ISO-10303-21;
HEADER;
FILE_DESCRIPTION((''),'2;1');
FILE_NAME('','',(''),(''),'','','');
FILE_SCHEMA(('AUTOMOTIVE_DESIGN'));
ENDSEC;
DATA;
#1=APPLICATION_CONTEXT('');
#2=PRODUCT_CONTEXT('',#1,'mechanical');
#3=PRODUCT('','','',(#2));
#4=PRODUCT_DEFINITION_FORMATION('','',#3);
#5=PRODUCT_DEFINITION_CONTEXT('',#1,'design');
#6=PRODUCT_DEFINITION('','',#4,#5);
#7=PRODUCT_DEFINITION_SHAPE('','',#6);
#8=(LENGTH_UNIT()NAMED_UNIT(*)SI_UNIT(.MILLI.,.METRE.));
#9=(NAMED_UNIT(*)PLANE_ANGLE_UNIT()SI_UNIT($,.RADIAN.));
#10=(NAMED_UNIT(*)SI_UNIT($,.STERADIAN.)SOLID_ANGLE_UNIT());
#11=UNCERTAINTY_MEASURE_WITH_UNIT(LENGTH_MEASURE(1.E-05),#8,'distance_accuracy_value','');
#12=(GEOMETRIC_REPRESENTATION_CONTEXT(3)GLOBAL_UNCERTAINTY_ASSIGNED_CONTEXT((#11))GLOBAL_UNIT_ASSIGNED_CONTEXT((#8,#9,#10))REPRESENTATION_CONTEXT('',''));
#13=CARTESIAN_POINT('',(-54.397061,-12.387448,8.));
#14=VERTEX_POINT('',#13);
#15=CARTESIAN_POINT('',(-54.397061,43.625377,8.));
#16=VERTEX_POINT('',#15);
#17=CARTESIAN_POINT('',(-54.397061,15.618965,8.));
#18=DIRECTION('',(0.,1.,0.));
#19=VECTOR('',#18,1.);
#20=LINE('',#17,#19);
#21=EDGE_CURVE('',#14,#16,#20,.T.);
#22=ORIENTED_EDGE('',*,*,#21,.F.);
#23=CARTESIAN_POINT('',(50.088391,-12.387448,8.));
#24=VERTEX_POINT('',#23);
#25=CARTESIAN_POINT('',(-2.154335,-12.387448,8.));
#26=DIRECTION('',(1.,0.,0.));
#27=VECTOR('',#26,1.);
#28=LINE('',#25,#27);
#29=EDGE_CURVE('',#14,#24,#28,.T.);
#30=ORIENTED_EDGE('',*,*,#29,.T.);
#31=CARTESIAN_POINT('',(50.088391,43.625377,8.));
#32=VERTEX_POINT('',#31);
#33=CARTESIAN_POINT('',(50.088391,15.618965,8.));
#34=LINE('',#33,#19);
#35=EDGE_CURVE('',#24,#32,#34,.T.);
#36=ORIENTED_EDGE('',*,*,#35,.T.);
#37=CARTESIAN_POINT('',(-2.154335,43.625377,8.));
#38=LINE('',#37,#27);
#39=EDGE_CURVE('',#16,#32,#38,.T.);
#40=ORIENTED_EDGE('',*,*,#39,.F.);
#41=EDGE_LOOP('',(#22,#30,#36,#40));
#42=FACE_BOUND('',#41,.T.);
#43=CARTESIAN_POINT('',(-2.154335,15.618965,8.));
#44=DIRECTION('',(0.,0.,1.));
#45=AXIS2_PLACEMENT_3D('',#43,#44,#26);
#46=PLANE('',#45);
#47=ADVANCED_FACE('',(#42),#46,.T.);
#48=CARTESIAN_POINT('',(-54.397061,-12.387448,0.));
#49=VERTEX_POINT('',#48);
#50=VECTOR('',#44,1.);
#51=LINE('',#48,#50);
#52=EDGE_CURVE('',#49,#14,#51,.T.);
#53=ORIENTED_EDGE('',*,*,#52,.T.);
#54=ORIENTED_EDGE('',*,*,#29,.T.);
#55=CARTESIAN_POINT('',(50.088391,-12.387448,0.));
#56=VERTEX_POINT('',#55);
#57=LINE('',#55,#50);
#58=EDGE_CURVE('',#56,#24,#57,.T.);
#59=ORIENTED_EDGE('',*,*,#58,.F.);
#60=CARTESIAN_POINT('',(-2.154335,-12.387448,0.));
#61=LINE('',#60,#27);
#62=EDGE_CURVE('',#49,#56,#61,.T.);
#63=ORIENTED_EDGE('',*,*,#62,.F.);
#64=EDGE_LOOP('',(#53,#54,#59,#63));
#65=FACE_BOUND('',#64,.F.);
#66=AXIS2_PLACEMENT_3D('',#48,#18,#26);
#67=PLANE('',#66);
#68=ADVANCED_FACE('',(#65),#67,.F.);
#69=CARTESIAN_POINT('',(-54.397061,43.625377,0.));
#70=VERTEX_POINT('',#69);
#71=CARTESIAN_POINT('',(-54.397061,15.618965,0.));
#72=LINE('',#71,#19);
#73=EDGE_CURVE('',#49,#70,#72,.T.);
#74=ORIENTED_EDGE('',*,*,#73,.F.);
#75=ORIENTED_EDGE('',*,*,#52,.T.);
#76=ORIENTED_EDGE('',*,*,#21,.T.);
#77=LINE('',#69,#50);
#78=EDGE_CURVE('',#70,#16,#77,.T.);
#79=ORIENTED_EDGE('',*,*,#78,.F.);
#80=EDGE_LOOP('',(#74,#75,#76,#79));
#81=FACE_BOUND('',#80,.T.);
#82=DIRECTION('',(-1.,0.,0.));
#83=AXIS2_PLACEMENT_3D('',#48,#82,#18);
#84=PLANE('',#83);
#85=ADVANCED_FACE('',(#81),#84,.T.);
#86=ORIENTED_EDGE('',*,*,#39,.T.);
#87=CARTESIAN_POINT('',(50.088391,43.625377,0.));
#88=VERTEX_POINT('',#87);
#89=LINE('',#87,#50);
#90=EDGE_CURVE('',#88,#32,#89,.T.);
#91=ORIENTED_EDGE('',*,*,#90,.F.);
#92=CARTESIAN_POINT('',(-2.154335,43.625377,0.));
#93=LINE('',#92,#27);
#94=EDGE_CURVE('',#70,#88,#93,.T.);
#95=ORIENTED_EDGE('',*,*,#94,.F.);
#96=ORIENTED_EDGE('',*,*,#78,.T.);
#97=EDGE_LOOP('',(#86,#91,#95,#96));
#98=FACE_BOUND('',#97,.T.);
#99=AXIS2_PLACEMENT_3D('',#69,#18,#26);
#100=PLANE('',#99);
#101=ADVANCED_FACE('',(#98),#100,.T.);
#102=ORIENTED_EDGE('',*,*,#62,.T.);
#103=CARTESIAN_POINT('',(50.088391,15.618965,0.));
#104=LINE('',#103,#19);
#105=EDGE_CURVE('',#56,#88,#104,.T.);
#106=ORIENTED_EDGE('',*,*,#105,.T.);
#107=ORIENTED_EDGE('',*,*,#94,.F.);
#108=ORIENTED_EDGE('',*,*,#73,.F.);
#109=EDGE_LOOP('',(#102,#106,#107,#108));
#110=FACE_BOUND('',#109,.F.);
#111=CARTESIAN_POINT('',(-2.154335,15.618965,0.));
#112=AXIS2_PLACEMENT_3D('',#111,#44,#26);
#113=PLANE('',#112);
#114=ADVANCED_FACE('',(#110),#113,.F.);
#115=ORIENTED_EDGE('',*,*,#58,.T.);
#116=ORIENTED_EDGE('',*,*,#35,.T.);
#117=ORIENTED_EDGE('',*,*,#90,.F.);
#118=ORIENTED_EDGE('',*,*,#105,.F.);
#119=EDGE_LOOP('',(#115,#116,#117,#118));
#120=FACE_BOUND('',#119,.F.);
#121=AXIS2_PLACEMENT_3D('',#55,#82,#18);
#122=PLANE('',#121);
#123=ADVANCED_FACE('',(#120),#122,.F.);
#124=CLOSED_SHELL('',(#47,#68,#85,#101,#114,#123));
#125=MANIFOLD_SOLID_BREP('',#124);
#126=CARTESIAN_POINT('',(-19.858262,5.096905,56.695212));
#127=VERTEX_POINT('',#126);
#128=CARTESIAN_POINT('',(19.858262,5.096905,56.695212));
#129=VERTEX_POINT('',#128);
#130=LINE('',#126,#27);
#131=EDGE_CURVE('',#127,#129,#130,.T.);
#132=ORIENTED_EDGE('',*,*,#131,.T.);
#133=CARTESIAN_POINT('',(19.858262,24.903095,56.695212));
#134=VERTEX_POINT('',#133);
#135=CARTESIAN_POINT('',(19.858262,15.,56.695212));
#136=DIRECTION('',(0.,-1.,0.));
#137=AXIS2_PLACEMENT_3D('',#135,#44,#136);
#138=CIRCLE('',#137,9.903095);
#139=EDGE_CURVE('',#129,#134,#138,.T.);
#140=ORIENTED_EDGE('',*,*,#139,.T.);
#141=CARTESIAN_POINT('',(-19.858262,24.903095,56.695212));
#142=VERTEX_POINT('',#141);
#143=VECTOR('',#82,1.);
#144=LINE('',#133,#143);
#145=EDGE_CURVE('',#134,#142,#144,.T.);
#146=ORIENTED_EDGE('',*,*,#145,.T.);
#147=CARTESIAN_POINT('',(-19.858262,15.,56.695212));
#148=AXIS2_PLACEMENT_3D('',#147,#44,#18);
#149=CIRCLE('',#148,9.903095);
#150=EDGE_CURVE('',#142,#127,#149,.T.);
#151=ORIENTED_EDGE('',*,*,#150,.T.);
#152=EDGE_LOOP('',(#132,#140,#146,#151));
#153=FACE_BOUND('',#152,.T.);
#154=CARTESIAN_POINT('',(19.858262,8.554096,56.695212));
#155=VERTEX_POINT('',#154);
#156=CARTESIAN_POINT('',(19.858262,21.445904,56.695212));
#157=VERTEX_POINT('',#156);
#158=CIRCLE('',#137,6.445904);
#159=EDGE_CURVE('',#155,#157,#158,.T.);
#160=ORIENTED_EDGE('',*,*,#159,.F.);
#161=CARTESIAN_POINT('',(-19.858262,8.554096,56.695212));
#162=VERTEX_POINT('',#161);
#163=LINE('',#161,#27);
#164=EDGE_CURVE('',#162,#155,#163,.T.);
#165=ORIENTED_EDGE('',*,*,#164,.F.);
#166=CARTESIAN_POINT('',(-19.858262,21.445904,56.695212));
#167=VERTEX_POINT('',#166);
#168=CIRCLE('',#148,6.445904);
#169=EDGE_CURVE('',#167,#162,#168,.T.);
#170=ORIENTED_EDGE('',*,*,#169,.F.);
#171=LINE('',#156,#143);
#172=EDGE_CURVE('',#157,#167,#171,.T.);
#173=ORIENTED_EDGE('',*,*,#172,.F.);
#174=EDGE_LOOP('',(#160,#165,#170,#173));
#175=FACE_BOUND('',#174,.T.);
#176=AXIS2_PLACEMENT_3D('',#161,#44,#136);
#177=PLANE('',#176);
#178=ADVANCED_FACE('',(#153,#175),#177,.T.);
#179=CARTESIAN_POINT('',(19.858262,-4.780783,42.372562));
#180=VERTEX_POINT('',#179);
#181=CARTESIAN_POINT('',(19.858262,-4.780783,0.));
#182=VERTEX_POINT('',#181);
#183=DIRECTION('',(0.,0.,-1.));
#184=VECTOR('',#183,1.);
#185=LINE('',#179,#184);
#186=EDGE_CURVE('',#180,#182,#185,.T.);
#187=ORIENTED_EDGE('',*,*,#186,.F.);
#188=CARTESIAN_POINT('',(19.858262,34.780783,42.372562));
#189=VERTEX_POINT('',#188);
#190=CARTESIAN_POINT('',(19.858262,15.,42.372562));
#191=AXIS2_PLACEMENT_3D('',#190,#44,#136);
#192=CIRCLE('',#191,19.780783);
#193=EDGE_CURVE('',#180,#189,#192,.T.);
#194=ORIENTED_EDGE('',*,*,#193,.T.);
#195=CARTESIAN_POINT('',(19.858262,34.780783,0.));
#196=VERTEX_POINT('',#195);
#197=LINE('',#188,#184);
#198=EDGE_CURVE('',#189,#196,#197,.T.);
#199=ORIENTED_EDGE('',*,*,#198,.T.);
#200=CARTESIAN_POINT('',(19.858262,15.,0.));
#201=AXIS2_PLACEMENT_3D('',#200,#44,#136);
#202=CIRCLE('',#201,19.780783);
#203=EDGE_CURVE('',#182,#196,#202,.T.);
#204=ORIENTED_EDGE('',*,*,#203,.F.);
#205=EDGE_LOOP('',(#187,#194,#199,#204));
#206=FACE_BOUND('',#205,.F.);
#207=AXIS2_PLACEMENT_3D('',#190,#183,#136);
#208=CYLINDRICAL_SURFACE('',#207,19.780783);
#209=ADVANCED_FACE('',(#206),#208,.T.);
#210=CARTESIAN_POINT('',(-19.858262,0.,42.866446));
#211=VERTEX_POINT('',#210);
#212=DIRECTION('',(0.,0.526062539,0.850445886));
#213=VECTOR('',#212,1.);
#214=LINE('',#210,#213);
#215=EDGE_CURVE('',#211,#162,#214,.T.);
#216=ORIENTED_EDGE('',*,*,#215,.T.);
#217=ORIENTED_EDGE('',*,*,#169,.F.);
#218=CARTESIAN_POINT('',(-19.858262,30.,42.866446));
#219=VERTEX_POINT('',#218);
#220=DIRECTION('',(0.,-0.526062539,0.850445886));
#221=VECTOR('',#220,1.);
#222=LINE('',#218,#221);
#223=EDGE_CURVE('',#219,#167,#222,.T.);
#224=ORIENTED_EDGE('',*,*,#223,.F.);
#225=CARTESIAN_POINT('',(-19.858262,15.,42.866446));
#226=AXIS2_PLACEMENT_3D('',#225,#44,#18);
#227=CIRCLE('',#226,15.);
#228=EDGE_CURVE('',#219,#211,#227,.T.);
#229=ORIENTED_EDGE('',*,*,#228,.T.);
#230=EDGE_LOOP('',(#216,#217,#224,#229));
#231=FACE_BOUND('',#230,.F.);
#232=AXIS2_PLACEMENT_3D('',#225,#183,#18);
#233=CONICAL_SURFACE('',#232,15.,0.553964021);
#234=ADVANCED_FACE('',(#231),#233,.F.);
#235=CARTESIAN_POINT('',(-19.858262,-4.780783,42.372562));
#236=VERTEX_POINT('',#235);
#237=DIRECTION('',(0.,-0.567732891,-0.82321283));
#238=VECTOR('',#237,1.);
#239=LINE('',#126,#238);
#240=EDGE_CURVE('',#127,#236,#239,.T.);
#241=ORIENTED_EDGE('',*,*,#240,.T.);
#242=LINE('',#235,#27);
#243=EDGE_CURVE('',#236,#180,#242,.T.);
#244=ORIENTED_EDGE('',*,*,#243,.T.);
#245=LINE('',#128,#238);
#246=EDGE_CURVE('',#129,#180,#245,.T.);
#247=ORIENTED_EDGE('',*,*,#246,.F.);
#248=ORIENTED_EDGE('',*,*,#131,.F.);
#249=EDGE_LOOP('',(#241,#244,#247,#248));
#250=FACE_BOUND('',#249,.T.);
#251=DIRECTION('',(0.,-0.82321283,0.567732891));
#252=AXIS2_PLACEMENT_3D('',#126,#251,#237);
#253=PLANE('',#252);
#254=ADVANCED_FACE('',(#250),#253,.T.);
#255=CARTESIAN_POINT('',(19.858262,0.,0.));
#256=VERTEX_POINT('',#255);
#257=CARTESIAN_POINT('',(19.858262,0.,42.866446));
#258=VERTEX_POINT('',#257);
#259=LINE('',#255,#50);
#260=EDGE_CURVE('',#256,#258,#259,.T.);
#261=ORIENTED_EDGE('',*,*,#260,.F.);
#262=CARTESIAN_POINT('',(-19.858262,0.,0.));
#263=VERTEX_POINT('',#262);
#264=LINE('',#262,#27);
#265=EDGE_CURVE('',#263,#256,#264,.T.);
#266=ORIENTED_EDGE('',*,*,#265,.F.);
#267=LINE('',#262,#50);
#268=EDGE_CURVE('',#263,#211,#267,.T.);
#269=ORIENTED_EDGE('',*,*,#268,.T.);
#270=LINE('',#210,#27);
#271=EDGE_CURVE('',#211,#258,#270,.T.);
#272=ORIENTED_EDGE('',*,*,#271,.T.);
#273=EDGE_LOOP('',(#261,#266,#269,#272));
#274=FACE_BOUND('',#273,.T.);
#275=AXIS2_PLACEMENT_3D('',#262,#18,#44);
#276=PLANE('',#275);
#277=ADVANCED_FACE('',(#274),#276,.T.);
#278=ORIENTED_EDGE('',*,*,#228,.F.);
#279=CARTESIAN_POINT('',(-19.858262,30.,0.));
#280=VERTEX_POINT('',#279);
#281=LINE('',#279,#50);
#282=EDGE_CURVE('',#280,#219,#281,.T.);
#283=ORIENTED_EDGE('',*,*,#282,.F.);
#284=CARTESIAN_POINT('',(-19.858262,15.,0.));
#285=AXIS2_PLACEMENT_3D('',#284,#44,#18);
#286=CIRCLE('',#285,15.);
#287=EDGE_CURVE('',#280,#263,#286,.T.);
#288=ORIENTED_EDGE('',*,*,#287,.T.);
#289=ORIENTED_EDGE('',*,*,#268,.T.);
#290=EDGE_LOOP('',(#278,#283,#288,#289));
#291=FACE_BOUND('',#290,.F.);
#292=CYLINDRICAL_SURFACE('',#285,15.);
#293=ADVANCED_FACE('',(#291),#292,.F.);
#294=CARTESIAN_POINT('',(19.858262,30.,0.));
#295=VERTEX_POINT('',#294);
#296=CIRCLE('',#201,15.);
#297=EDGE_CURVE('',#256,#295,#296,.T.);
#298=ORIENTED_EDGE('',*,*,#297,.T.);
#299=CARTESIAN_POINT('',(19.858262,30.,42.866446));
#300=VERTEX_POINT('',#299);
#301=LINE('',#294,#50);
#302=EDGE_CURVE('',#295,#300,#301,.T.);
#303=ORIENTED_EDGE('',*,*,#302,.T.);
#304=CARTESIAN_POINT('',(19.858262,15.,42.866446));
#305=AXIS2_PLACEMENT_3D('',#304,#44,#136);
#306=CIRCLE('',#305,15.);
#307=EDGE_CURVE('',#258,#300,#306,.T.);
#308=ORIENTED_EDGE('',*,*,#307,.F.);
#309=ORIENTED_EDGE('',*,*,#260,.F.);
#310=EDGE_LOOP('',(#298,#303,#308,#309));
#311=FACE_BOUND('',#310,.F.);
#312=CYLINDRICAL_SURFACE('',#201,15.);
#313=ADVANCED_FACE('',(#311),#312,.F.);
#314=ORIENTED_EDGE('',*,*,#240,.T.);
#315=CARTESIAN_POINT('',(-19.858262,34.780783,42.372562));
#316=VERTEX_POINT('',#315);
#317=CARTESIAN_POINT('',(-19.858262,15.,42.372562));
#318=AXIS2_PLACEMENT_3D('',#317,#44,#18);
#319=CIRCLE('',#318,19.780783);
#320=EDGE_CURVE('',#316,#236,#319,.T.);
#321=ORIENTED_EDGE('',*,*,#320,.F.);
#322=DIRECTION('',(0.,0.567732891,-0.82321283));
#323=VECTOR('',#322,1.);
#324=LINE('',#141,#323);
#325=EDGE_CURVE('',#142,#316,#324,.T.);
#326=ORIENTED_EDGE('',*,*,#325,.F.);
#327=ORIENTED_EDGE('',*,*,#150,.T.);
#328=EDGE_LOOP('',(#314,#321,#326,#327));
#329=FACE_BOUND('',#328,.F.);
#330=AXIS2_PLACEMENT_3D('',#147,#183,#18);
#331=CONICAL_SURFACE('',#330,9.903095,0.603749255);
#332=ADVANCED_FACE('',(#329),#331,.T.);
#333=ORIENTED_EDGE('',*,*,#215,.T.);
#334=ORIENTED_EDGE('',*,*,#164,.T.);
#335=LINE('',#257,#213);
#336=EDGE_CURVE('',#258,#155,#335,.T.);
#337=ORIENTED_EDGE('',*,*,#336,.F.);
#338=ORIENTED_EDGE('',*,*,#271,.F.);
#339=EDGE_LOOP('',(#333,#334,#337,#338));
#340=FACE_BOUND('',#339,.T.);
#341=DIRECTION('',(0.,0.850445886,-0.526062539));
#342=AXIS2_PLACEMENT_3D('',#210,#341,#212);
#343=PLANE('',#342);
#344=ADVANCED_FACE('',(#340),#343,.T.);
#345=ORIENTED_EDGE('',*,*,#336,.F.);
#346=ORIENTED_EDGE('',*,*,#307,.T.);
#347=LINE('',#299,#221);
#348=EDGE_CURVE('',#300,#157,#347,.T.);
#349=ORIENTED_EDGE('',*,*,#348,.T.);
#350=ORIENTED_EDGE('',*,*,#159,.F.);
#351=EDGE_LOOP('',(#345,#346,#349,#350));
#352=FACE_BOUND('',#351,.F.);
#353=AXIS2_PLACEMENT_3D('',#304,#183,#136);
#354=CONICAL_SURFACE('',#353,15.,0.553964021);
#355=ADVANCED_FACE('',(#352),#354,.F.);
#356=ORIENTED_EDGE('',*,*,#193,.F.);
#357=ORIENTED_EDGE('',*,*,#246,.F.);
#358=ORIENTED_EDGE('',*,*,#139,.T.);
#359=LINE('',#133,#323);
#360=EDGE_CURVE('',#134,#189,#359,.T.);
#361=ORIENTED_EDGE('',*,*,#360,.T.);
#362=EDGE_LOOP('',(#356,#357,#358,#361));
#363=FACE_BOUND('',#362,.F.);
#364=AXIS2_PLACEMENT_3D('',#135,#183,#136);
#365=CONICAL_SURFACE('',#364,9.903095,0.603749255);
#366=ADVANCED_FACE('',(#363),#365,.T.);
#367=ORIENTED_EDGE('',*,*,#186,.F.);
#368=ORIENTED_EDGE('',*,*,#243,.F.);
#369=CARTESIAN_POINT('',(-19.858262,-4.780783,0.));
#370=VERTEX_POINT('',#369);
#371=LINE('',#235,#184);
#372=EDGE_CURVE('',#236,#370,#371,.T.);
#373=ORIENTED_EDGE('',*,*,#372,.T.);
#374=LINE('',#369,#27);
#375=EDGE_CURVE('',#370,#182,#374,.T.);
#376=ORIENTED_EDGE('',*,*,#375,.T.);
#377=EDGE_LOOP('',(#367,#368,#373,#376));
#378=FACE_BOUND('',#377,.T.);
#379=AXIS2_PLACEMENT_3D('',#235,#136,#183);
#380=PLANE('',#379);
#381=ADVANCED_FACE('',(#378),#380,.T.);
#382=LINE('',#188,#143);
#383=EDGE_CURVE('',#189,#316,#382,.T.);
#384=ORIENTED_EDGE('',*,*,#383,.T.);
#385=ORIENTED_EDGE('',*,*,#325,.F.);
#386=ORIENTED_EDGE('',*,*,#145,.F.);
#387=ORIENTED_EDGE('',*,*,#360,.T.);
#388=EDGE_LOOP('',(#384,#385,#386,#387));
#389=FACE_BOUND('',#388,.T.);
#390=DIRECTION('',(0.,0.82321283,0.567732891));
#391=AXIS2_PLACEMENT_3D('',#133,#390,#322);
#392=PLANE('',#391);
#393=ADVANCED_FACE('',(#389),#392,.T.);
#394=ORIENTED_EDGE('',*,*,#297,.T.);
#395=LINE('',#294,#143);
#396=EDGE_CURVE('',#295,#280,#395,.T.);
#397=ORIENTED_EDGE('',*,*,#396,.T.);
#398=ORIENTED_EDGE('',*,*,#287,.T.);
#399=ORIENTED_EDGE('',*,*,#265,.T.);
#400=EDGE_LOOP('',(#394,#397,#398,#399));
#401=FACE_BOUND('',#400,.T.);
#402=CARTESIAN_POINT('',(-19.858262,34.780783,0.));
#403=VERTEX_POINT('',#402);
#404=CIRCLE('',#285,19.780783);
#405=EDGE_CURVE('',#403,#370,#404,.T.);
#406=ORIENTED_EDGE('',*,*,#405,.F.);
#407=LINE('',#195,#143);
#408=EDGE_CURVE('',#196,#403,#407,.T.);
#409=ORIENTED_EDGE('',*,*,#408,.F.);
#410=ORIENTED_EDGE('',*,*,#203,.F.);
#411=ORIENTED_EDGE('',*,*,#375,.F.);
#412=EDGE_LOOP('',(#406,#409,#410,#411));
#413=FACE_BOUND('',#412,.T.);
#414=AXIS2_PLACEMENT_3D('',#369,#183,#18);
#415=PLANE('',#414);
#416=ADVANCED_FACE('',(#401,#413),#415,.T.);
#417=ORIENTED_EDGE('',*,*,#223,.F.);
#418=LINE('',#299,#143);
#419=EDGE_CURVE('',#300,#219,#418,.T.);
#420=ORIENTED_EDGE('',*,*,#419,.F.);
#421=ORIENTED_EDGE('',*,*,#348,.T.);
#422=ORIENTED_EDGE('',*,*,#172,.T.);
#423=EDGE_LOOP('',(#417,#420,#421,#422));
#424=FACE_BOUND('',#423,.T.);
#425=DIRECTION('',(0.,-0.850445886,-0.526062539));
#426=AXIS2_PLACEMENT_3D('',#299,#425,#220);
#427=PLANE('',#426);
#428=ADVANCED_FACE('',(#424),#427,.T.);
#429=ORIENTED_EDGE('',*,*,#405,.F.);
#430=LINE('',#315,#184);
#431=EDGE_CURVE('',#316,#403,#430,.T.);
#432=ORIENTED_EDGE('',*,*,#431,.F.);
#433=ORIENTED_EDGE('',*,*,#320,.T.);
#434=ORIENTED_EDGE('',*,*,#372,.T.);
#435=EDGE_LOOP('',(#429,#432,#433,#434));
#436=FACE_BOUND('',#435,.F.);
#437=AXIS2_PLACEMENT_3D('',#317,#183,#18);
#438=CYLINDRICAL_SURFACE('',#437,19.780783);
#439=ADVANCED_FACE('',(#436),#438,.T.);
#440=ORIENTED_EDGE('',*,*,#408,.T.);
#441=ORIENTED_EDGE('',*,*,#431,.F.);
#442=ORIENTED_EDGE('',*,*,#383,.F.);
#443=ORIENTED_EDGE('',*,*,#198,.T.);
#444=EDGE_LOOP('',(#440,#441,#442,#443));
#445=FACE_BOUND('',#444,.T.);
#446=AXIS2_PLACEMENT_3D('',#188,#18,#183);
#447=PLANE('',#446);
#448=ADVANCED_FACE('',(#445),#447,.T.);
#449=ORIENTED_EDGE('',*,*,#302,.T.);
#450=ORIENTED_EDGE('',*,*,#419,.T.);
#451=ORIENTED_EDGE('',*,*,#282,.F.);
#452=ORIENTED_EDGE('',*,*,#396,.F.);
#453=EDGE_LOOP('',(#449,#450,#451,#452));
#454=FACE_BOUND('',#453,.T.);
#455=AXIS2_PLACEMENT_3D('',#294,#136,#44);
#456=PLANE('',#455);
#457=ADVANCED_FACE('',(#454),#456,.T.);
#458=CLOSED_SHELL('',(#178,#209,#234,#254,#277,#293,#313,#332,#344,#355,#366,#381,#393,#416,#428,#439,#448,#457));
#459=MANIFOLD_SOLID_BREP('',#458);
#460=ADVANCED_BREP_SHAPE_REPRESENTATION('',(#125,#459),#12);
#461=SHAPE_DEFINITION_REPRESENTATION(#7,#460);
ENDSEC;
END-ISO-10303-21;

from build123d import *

# Parameters (mm, degrees)
F3_W     = 104.485452
F3_H     = 56.012825
F4_DEPTH = 8


with BuildPart() as f2:
    # F2: sweep along a path in F0
    with BuildLine(Plane.XY) as f2_path:
        Line((-19.858262, 0), (0, 0))
        Line((0, 0), (19.858262, 0))
        ThreePointArc((19.858262, 0), (34.858262, 15), (19.858262, 30))
        Line((19.858262, 30), (0, 30))
        Line((0, 30), (-19.858262, 30))
        ThreePointArc((-19.858262, 30), (-34.858262, 15), (-19.858262, 0))
    # F1 (on Right) → F2 (sweep)
    with BuildSketch(Plane.YZ):
        Polygon((0, 0), (0, 42.866446), (8.554096, 56.695212), (5.096905, 56.695212), (-4.780783, 42.372562), (-4.780783, 0), align=None)
    sweep(path=f2_path.line)


with BuildPart() as f4:
    # F3 (on Top) → F4 (new body)
    with BuildSketch(Plane.XY):
        with Locations((-2.154335, 15.618965)):
            Rectangle(F3_W, F3_H)
    extrude(amount=F4_DEPTH)


solid = Compound([f2.part, f4.part])
